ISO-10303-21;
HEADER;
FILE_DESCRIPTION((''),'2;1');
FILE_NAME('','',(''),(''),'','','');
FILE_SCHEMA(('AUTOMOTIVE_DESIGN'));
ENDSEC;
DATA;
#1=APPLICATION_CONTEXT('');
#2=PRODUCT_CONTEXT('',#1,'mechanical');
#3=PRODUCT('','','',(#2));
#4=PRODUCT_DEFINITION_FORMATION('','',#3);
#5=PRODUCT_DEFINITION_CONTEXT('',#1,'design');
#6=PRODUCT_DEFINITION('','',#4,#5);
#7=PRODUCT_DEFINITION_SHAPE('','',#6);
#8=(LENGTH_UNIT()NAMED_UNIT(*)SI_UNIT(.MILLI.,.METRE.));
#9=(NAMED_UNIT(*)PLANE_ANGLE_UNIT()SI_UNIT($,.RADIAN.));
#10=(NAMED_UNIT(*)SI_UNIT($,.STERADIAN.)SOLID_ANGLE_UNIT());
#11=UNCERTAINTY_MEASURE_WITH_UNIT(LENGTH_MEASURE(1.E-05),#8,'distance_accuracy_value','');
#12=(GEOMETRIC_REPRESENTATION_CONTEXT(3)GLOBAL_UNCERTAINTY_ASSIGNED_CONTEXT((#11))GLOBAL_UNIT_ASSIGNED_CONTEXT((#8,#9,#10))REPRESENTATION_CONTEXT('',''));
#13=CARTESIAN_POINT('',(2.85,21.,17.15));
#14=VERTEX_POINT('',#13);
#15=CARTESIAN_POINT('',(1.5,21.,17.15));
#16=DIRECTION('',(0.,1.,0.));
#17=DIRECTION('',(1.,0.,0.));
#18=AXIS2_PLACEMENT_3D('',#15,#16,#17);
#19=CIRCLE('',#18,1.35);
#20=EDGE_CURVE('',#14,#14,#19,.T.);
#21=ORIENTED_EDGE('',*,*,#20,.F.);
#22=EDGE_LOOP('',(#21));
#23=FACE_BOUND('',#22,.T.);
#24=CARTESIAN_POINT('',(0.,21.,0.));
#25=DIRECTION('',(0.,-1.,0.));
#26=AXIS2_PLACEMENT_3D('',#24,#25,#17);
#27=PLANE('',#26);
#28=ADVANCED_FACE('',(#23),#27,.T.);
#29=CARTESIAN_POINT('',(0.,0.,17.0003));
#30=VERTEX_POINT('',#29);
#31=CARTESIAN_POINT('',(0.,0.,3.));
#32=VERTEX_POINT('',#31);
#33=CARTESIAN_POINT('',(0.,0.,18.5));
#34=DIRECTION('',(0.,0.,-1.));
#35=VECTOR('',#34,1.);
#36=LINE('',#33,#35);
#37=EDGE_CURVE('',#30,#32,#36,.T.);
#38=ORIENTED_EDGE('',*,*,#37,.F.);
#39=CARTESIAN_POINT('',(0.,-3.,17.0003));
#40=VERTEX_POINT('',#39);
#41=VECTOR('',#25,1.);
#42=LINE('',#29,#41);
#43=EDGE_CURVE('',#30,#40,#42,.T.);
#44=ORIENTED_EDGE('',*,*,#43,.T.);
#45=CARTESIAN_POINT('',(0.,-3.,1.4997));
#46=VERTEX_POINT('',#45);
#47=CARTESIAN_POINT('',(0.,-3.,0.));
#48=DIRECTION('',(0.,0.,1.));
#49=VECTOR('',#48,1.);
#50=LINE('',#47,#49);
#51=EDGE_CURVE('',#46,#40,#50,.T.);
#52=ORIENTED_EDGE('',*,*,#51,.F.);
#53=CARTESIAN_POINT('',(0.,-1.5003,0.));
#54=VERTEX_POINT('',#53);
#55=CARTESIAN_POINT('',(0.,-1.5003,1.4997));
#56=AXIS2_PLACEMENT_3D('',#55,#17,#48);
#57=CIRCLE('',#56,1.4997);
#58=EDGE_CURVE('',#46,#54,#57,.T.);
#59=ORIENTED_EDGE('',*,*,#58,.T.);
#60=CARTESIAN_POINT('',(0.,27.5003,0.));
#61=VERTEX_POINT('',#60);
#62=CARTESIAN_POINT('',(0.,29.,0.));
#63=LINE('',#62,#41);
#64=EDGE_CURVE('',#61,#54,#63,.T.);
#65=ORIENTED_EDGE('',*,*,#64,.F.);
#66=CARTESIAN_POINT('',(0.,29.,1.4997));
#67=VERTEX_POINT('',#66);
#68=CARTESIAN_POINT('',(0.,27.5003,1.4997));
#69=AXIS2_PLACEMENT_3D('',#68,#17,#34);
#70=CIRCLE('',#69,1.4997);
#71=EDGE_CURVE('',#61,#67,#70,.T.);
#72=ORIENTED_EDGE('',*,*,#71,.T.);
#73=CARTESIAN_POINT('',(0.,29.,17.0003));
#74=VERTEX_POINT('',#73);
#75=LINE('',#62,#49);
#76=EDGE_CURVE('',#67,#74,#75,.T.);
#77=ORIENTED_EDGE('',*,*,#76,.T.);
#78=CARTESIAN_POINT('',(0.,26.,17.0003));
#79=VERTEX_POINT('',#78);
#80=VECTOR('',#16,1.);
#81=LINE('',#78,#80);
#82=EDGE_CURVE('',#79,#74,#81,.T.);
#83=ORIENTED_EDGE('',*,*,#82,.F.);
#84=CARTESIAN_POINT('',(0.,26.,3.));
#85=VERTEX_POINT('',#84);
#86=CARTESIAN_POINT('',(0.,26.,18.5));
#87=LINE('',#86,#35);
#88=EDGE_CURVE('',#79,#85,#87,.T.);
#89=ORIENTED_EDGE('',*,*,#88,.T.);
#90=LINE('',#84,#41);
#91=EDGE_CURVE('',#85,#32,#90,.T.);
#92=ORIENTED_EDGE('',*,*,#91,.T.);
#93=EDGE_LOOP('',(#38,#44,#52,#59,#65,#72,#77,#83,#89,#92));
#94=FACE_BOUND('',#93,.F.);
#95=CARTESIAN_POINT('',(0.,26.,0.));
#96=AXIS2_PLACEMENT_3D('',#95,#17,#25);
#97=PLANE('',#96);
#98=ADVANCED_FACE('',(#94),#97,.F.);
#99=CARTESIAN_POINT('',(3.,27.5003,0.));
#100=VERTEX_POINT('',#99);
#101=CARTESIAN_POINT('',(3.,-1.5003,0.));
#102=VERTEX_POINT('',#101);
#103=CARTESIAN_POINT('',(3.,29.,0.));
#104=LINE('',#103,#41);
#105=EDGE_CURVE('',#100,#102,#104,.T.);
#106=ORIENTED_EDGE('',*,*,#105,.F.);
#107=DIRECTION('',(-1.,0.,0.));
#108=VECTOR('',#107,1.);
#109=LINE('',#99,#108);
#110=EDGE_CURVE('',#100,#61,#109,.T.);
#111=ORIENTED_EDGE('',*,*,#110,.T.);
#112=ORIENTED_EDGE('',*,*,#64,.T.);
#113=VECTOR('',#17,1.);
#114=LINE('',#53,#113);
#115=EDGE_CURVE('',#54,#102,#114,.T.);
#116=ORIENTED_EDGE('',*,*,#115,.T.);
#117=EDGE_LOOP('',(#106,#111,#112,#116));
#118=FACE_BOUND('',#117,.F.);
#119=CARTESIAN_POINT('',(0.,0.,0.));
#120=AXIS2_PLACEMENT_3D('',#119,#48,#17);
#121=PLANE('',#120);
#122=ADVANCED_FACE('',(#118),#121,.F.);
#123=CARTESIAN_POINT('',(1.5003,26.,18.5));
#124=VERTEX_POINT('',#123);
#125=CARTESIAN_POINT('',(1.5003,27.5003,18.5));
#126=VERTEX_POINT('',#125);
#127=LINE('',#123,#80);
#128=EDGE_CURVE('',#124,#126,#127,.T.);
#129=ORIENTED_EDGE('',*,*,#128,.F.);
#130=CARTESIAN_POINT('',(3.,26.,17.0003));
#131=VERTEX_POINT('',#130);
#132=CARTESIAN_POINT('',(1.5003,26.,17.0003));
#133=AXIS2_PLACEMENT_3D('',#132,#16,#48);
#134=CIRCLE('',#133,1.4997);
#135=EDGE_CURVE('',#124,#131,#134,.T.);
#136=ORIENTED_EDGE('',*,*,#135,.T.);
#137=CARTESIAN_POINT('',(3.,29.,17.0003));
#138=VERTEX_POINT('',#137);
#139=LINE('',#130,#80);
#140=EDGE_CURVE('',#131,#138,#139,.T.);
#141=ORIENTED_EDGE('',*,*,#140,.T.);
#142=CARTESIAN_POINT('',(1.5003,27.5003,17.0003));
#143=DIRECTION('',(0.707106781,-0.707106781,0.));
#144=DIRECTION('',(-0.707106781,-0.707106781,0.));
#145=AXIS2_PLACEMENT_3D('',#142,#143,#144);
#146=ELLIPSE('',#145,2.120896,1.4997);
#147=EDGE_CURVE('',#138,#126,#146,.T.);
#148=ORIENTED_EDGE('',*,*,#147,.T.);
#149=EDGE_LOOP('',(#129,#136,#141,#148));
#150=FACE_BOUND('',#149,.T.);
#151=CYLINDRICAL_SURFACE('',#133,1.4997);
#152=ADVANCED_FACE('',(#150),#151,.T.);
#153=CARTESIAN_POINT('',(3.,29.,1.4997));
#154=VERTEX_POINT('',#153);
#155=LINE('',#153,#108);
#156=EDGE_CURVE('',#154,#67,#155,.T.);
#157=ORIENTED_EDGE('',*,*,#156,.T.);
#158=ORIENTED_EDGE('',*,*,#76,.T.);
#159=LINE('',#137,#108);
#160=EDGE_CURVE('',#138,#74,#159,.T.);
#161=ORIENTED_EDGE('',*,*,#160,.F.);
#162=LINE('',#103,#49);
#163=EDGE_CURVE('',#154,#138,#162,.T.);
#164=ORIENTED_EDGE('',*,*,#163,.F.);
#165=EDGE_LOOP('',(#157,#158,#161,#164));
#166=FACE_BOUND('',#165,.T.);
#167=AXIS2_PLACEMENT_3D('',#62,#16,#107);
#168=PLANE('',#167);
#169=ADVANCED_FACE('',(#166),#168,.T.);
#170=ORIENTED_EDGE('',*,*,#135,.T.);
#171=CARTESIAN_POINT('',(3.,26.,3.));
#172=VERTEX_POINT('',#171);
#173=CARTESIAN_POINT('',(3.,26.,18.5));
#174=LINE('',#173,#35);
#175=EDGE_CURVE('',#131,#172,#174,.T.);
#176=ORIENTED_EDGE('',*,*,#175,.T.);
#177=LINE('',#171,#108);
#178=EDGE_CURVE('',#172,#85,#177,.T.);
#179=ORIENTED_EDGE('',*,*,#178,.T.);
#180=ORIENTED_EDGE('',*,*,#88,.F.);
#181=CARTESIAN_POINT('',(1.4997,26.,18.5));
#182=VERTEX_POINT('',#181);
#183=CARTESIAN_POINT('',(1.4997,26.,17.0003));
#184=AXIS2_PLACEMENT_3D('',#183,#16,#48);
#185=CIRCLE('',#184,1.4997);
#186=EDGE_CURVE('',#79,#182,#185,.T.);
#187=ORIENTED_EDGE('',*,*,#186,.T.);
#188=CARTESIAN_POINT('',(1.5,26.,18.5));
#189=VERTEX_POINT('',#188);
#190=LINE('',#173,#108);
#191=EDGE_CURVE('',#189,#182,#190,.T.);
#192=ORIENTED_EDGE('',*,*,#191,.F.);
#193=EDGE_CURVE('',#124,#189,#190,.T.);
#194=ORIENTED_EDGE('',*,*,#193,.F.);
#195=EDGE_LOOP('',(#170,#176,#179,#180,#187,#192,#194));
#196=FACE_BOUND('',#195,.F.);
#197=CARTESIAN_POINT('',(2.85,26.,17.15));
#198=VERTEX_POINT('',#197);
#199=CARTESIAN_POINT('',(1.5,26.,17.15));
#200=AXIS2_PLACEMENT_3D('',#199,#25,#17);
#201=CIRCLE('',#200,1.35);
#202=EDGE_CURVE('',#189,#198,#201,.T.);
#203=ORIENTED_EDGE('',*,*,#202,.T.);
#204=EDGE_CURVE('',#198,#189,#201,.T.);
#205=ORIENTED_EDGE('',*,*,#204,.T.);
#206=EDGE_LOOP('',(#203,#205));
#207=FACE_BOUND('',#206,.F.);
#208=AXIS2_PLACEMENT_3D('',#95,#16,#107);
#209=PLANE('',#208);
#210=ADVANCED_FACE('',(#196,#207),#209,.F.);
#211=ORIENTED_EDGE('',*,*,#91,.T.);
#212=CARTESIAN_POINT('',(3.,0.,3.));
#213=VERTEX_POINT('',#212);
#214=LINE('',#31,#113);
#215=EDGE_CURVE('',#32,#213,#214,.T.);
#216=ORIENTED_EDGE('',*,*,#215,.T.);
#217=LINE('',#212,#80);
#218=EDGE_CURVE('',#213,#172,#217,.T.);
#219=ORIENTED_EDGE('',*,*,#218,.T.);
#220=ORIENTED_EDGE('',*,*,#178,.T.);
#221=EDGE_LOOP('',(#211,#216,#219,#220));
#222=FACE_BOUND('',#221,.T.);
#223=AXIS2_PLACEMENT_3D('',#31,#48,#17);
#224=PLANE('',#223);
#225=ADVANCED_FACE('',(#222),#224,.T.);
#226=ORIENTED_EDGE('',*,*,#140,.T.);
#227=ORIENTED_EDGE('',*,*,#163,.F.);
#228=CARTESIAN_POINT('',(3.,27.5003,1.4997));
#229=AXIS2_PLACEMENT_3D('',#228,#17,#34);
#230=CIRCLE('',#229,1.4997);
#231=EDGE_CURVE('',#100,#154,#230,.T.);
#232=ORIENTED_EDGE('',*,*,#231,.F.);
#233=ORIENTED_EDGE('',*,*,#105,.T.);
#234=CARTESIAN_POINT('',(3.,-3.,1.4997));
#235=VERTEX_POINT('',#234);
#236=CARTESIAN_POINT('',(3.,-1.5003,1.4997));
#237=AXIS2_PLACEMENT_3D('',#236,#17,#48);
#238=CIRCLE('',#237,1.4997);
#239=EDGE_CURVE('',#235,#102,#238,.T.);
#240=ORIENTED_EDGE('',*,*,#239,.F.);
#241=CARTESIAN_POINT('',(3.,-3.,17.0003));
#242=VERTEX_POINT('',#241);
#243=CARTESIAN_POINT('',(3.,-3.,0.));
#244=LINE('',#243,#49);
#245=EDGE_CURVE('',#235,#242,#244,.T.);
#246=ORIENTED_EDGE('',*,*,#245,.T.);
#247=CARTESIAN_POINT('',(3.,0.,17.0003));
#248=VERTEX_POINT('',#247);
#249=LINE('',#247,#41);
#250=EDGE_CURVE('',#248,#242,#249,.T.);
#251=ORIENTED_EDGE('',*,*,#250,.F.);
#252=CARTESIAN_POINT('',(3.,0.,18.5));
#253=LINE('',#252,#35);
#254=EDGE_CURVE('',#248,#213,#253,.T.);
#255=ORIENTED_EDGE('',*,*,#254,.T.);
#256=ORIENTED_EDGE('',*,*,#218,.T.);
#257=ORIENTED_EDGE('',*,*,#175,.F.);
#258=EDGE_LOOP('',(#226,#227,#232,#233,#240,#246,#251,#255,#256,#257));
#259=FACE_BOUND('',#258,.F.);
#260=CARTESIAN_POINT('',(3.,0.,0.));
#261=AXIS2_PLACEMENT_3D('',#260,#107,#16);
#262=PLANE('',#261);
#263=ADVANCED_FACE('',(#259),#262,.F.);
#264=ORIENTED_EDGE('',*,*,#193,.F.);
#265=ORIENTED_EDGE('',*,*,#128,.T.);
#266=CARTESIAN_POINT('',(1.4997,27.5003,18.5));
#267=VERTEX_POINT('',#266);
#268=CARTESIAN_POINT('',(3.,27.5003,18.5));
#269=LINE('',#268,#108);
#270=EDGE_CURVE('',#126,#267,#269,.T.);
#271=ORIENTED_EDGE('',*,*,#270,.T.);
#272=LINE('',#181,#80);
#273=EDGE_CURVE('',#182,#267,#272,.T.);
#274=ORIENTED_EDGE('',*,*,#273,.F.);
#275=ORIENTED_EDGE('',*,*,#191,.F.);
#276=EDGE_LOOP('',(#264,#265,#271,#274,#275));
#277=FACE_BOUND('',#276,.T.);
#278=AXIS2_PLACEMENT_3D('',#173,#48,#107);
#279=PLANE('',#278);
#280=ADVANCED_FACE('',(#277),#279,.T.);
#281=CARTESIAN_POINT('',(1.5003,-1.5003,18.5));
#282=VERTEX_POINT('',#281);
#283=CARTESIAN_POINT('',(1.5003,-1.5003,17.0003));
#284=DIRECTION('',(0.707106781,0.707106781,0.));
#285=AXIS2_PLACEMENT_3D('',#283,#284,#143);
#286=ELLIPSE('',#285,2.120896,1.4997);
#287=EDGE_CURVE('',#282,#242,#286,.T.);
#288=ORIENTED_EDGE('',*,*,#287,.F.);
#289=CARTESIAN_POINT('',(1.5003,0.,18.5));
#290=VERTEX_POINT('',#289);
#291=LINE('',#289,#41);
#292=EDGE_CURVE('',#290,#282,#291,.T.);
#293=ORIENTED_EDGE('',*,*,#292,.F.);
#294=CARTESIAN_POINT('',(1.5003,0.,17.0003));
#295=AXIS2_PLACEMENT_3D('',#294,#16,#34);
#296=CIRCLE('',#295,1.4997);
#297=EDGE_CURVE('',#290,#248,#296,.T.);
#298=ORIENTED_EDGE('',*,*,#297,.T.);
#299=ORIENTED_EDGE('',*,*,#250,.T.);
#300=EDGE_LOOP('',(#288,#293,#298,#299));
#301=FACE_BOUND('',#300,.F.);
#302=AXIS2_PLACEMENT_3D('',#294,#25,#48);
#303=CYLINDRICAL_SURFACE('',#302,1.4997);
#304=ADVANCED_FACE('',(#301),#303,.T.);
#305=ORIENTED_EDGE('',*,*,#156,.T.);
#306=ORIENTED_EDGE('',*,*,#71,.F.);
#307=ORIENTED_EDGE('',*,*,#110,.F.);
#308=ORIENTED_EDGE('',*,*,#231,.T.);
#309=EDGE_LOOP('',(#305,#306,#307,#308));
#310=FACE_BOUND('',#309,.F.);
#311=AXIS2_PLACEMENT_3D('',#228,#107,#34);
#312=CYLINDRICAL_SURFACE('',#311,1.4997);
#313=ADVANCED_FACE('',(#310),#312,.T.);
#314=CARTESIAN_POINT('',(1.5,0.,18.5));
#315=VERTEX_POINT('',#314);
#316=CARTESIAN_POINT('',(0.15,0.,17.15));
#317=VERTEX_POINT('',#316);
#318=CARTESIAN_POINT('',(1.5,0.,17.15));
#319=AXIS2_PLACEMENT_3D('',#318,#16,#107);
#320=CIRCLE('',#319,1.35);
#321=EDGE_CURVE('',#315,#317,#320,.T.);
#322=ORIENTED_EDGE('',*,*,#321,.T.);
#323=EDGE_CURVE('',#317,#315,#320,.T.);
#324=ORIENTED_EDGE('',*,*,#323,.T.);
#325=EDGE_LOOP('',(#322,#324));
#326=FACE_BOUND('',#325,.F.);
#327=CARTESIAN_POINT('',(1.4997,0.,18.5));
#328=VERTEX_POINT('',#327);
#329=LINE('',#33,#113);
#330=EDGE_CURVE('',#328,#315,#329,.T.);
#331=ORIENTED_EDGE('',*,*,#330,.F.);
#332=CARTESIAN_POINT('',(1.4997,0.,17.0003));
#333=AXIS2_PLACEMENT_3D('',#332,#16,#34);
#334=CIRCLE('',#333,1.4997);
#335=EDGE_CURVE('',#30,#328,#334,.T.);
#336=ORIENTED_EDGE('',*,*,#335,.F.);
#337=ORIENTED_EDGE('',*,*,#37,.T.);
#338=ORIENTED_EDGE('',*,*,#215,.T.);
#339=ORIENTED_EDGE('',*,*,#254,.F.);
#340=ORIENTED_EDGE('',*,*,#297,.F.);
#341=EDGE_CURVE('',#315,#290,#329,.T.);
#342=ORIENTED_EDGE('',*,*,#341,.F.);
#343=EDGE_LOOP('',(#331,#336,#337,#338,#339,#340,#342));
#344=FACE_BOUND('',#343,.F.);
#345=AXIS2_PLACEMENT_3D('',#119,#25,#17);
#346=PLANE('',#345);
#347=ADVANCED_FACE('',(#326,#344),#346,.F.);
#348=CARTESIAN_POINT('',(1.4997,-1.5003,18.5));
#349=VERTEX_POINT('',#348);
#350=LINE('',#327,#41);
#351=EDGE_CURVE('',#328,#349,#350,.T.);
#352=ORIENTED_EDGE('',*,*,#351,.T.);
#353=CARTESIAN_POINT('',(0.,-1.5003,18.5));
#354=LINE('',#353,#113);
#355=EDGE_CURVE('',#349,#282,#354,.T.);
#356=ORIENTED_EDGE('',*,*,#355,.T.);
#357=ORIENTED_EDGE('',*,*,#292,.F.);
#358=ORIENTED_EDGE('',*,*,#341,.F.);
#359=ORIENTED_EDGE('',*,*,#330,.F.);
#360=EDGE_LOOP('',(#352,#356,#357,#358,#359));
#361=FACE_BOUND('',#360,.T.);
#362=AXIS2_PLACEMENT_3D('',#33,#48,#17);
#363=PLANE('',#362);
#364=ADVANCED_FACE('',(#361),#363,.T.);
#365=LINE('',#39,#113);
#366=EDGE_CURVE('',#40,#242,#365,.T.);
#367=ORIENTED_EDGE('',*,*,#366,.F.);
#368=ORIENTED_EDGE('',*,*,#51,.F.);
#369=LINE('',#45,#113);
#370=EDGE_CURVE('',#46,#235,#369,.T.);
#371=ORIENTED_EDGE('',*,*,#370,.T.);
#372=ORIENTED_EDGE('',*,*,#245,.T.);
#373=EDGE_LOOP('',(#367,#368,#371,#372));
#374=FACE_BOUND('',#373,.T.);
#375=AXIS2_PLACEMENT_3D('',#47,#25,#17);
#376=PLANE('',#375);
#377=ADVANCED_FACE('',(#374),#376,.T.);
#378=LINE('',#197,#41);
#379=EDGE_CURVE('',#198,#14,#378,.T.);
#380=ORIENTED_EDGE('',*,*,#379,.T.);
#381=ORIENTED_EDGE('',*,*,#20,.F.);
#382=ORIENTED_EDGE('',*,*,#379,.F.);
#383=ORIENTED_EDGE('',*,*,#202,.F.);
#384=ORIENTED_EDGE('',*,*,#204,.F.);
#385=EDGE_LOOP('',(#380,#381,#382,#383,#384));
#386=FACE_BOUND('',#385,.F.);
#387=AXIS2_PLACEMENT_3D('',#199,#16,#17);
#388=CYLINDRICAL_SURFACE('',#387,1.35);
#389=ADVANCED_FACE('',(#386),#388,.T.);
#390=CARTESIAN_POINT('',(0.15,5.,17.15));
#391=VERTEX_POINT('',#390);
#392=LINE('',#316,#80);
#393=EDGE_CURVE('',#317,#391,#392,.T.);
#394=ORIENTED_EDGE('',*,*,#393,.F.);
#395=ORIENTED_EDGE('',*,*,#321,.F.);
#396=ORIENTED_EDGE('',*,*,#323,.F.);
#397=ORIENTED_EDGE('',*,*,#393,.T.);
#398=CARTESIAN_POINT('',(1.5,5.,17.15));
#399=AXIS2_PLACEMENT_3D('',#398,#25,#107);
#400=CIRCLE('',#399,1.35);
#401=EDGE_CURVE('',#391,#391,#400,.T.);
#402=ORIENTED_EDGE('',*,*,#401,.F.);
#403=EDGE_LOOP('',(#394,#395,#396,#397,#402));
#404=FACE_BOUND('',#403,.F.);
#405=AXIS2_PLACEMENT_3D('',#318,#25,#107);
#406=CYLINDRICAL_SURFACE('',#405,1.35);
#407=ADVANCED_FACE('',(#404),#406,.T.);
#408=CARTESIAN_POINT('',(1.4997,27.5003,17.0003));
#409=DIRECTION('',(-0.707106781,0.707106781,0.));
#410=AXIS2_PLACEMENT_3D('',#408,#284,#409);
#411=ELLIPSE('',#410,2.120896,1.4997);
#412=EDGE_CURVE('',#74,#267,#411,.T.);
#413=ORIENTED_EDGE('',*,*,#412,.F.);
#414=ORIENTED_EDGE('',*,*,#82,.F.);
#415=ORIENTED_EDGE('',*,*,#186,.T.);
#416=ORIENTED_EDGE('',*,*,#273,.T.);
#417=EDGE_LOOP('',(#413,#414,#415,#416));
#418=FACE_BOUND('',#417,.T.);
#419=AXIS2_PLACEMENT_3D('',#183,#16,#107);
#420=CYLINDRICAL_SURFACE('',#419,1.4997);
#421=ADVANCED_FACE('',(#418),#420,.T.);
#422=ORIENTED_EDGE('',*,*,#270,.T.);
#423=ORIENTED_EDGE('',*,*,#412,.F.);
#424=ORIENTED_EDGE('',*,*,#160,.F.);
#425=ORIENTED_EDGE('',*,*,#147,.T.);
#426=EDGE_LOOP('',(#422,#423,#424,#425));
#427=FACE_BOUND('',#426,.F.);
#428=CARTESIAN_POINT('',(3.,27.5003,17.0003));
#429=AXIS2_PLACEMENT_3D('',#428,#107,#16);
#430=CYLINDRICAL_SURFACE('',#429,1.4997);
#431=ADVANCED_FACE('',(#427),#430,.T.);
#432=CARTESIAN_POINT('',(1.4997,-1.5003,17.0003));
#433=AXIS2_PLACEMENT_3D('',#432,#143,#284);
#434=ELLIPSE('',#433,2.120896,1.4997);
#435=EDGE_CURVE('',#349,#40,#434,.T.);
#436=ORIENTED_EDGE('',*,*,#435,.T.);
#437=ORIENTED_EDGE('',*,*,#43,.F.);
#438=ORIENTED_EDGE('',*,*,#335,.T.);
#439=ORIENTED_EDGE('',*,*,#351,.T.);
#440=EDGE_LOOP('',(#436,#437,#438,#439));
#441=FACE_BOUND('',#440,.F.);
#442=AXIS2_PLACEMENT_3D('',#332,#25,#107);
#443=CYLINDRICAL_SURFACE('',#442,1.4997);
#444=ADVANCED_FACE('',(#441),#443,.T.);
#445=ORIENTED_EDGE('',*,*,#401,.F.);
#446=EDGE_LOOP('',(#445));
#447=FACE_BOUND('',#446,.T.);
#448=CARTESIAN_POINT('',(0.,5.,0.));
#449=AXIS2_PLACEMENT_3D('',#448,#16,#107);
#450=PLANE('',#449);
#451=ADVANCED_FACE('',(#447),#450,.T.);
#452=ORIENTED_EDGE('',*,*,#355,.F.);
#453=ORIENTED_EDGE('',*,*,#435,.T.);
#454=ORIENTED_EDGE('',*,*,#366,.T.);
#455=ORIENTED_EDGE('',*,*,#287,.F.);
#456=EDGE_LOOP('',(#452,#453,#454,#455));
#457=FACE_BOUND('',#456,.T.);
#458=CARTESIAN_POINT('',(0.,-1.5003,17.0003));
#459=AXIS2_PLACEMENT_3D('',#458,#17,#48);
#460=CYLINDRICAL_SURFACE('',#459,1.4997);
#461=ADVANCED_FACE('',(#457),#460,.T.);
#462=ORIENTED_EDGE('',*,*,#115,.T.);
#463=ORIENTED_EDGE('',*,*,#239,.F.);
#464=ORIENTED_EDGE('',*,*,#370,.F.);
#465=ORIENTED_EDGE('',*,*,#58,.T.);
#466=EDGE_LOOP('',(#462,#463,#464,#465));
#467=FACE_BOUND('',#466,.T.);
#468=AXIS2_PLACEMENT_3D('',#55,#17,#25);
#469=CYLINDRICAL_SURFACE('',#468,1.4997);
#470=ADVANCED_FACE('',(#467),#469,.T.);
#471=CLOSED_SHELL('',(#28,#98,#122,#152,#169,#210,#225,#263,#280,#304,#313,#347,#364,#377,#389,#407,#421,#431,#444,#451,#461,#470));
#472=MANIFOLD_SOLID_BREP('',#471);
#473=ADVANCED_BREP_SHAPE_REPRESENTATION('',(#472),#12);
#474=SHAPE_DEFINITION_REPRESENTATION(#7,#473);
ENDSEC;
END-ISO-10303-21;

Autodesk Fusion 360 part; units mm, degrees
sketch "Sketch6" plane through (0, 0, 0) normal (0, 0, 1) x (1, 0, 0)
  line L0 (0, 0) -> (3, 0)
  line L1 (3, 0) -> (3, 26)
  line L2 (3, 26) -> (0, 26)
  line L3 (0, 26) -> (0, 0)
  dimension "d27" = 3
  dimension "d28" = 26
extrude "Extrude8" add sketch "Sketch6" along normal blind 3
sketch "Sketch7" plane through (0, 0, 0) normal (0, 1, 0) x (1, 0, 0)
sketch "Sketch8" plane through (0, 0, 0) normal (0, -1, 0) x (1, 0, 0)
  line L0 (0, 0) -> (3, 0)
  line L1 (3, 0) -> (3, 3)
  line L2 (3, 3) -> (0, 3)
  line L3 (0, 3) -> (0, 0)
  line L4 (3, 3) -> (0, 3)
  line L5 (0, 3) -> (0, 18.5)
  line L6 (0, 18.5) -> (3, 18.5)
  line L7 (3, 18.5) -> (3, 3)
  dimension "d31" = 3
  dimension "d32" = 15.5
extrude "Extrude9" add sketch "Sketch8" along normal blind 3
sketch "Sketch9" plane through (0, 26, 0) normal (0, 1, 0) x (-1, 0, 0)
  line L0 (-3, 0) -> (0, 0)
  line L1 (0, 0) -> (0, 3)
  line L2 (0, 3) -> (-3, 3)
  line L3 (-3, 3) -> (-3, 0)
  line L4 (0, 0) -> (-3, 0)
  line L5 (-3, 0) -> (-3, 18.5)
  line L6 (-3, 18.5) -> (0, 18.5)
  line L7 (0, 18.5) -> (0, 0)
  dimension "d35" = 3
  dimension "d36" = 18.5
extrude "Extrude10" add sketch "Sketch9" along normal blind 3
sketch "Sketch10" plane through (0, 0, 0) normal (0, 1, 0) x (-1, 0, 0)
  line L0 (-3, 3) -> (0, 3)
  line L1 (0, 3) -> (0, 18.5)
  line L2 (0, 18.5) -> (-3, 18.5)
  line L3 (-3, 18.5) -> (-3, 3)
  line L4 (-1.5, 18.5) -> (-1.5, 17)
  circle A0 centre (-1.5, 17) radius 1.5
  dimension "d39" = 1.5
  dimension "d40" = 3
sketch "Sketch12" plane through (0, 26, 0) normal (0, -1, 0) x (1, 0, 0)
  line L0 (0, 3) -> (3, 3)
  line L1 (3, 3) -> (3, 18.5)
  line L2 (3, 18.5) -> (0, 18.5)
  line L3 (0, 18.5) -> (0, 3)
  line L4 (1.5, 18.5) -> (1.5, 17.15)
  circle A0 centre (1.5, 17.15) radius 1.35
  dimension "d53" = 1.35
  dimension "d54" = 2.7
extrude "Extrude15" add sketch "Sketch12" along normal blind 5 contours A0
sketch "Sketch13" plane through (0, 0, 0) normal (0, 1, 0) x (-1, 0, 0)
  line L0 (-3, 3) -> (0, 3)
  line L1 (0, 3) -> (0, 18.5)
  line L2 (0, 18.5) -> (-3, 18.5)
  line L3 (-3, 18.5) -> (-3, 3)
  line L4 (-1.5, 18.5) -> (-1.5, 17.15)
  circle A0 centre (-1.5, 17.15) radius 1.35
  dimension "d57" = 1.35
  dimension "d58" = 2.7
extrude "Extrude16" add sketch "Sketch13" along normal blind 5 contours A0
fillet "Fillet4" radius 1.5 8 edges at (3, -1.5, 18.5) (1.5, -3, 18.5) (0, -1.5, 18.5) (1.5, 29, 18.5) (3, 27.5, 18.5) (0, 27.5, 18.5) (1.5, 29, 0) (1.5, -3, 0)
